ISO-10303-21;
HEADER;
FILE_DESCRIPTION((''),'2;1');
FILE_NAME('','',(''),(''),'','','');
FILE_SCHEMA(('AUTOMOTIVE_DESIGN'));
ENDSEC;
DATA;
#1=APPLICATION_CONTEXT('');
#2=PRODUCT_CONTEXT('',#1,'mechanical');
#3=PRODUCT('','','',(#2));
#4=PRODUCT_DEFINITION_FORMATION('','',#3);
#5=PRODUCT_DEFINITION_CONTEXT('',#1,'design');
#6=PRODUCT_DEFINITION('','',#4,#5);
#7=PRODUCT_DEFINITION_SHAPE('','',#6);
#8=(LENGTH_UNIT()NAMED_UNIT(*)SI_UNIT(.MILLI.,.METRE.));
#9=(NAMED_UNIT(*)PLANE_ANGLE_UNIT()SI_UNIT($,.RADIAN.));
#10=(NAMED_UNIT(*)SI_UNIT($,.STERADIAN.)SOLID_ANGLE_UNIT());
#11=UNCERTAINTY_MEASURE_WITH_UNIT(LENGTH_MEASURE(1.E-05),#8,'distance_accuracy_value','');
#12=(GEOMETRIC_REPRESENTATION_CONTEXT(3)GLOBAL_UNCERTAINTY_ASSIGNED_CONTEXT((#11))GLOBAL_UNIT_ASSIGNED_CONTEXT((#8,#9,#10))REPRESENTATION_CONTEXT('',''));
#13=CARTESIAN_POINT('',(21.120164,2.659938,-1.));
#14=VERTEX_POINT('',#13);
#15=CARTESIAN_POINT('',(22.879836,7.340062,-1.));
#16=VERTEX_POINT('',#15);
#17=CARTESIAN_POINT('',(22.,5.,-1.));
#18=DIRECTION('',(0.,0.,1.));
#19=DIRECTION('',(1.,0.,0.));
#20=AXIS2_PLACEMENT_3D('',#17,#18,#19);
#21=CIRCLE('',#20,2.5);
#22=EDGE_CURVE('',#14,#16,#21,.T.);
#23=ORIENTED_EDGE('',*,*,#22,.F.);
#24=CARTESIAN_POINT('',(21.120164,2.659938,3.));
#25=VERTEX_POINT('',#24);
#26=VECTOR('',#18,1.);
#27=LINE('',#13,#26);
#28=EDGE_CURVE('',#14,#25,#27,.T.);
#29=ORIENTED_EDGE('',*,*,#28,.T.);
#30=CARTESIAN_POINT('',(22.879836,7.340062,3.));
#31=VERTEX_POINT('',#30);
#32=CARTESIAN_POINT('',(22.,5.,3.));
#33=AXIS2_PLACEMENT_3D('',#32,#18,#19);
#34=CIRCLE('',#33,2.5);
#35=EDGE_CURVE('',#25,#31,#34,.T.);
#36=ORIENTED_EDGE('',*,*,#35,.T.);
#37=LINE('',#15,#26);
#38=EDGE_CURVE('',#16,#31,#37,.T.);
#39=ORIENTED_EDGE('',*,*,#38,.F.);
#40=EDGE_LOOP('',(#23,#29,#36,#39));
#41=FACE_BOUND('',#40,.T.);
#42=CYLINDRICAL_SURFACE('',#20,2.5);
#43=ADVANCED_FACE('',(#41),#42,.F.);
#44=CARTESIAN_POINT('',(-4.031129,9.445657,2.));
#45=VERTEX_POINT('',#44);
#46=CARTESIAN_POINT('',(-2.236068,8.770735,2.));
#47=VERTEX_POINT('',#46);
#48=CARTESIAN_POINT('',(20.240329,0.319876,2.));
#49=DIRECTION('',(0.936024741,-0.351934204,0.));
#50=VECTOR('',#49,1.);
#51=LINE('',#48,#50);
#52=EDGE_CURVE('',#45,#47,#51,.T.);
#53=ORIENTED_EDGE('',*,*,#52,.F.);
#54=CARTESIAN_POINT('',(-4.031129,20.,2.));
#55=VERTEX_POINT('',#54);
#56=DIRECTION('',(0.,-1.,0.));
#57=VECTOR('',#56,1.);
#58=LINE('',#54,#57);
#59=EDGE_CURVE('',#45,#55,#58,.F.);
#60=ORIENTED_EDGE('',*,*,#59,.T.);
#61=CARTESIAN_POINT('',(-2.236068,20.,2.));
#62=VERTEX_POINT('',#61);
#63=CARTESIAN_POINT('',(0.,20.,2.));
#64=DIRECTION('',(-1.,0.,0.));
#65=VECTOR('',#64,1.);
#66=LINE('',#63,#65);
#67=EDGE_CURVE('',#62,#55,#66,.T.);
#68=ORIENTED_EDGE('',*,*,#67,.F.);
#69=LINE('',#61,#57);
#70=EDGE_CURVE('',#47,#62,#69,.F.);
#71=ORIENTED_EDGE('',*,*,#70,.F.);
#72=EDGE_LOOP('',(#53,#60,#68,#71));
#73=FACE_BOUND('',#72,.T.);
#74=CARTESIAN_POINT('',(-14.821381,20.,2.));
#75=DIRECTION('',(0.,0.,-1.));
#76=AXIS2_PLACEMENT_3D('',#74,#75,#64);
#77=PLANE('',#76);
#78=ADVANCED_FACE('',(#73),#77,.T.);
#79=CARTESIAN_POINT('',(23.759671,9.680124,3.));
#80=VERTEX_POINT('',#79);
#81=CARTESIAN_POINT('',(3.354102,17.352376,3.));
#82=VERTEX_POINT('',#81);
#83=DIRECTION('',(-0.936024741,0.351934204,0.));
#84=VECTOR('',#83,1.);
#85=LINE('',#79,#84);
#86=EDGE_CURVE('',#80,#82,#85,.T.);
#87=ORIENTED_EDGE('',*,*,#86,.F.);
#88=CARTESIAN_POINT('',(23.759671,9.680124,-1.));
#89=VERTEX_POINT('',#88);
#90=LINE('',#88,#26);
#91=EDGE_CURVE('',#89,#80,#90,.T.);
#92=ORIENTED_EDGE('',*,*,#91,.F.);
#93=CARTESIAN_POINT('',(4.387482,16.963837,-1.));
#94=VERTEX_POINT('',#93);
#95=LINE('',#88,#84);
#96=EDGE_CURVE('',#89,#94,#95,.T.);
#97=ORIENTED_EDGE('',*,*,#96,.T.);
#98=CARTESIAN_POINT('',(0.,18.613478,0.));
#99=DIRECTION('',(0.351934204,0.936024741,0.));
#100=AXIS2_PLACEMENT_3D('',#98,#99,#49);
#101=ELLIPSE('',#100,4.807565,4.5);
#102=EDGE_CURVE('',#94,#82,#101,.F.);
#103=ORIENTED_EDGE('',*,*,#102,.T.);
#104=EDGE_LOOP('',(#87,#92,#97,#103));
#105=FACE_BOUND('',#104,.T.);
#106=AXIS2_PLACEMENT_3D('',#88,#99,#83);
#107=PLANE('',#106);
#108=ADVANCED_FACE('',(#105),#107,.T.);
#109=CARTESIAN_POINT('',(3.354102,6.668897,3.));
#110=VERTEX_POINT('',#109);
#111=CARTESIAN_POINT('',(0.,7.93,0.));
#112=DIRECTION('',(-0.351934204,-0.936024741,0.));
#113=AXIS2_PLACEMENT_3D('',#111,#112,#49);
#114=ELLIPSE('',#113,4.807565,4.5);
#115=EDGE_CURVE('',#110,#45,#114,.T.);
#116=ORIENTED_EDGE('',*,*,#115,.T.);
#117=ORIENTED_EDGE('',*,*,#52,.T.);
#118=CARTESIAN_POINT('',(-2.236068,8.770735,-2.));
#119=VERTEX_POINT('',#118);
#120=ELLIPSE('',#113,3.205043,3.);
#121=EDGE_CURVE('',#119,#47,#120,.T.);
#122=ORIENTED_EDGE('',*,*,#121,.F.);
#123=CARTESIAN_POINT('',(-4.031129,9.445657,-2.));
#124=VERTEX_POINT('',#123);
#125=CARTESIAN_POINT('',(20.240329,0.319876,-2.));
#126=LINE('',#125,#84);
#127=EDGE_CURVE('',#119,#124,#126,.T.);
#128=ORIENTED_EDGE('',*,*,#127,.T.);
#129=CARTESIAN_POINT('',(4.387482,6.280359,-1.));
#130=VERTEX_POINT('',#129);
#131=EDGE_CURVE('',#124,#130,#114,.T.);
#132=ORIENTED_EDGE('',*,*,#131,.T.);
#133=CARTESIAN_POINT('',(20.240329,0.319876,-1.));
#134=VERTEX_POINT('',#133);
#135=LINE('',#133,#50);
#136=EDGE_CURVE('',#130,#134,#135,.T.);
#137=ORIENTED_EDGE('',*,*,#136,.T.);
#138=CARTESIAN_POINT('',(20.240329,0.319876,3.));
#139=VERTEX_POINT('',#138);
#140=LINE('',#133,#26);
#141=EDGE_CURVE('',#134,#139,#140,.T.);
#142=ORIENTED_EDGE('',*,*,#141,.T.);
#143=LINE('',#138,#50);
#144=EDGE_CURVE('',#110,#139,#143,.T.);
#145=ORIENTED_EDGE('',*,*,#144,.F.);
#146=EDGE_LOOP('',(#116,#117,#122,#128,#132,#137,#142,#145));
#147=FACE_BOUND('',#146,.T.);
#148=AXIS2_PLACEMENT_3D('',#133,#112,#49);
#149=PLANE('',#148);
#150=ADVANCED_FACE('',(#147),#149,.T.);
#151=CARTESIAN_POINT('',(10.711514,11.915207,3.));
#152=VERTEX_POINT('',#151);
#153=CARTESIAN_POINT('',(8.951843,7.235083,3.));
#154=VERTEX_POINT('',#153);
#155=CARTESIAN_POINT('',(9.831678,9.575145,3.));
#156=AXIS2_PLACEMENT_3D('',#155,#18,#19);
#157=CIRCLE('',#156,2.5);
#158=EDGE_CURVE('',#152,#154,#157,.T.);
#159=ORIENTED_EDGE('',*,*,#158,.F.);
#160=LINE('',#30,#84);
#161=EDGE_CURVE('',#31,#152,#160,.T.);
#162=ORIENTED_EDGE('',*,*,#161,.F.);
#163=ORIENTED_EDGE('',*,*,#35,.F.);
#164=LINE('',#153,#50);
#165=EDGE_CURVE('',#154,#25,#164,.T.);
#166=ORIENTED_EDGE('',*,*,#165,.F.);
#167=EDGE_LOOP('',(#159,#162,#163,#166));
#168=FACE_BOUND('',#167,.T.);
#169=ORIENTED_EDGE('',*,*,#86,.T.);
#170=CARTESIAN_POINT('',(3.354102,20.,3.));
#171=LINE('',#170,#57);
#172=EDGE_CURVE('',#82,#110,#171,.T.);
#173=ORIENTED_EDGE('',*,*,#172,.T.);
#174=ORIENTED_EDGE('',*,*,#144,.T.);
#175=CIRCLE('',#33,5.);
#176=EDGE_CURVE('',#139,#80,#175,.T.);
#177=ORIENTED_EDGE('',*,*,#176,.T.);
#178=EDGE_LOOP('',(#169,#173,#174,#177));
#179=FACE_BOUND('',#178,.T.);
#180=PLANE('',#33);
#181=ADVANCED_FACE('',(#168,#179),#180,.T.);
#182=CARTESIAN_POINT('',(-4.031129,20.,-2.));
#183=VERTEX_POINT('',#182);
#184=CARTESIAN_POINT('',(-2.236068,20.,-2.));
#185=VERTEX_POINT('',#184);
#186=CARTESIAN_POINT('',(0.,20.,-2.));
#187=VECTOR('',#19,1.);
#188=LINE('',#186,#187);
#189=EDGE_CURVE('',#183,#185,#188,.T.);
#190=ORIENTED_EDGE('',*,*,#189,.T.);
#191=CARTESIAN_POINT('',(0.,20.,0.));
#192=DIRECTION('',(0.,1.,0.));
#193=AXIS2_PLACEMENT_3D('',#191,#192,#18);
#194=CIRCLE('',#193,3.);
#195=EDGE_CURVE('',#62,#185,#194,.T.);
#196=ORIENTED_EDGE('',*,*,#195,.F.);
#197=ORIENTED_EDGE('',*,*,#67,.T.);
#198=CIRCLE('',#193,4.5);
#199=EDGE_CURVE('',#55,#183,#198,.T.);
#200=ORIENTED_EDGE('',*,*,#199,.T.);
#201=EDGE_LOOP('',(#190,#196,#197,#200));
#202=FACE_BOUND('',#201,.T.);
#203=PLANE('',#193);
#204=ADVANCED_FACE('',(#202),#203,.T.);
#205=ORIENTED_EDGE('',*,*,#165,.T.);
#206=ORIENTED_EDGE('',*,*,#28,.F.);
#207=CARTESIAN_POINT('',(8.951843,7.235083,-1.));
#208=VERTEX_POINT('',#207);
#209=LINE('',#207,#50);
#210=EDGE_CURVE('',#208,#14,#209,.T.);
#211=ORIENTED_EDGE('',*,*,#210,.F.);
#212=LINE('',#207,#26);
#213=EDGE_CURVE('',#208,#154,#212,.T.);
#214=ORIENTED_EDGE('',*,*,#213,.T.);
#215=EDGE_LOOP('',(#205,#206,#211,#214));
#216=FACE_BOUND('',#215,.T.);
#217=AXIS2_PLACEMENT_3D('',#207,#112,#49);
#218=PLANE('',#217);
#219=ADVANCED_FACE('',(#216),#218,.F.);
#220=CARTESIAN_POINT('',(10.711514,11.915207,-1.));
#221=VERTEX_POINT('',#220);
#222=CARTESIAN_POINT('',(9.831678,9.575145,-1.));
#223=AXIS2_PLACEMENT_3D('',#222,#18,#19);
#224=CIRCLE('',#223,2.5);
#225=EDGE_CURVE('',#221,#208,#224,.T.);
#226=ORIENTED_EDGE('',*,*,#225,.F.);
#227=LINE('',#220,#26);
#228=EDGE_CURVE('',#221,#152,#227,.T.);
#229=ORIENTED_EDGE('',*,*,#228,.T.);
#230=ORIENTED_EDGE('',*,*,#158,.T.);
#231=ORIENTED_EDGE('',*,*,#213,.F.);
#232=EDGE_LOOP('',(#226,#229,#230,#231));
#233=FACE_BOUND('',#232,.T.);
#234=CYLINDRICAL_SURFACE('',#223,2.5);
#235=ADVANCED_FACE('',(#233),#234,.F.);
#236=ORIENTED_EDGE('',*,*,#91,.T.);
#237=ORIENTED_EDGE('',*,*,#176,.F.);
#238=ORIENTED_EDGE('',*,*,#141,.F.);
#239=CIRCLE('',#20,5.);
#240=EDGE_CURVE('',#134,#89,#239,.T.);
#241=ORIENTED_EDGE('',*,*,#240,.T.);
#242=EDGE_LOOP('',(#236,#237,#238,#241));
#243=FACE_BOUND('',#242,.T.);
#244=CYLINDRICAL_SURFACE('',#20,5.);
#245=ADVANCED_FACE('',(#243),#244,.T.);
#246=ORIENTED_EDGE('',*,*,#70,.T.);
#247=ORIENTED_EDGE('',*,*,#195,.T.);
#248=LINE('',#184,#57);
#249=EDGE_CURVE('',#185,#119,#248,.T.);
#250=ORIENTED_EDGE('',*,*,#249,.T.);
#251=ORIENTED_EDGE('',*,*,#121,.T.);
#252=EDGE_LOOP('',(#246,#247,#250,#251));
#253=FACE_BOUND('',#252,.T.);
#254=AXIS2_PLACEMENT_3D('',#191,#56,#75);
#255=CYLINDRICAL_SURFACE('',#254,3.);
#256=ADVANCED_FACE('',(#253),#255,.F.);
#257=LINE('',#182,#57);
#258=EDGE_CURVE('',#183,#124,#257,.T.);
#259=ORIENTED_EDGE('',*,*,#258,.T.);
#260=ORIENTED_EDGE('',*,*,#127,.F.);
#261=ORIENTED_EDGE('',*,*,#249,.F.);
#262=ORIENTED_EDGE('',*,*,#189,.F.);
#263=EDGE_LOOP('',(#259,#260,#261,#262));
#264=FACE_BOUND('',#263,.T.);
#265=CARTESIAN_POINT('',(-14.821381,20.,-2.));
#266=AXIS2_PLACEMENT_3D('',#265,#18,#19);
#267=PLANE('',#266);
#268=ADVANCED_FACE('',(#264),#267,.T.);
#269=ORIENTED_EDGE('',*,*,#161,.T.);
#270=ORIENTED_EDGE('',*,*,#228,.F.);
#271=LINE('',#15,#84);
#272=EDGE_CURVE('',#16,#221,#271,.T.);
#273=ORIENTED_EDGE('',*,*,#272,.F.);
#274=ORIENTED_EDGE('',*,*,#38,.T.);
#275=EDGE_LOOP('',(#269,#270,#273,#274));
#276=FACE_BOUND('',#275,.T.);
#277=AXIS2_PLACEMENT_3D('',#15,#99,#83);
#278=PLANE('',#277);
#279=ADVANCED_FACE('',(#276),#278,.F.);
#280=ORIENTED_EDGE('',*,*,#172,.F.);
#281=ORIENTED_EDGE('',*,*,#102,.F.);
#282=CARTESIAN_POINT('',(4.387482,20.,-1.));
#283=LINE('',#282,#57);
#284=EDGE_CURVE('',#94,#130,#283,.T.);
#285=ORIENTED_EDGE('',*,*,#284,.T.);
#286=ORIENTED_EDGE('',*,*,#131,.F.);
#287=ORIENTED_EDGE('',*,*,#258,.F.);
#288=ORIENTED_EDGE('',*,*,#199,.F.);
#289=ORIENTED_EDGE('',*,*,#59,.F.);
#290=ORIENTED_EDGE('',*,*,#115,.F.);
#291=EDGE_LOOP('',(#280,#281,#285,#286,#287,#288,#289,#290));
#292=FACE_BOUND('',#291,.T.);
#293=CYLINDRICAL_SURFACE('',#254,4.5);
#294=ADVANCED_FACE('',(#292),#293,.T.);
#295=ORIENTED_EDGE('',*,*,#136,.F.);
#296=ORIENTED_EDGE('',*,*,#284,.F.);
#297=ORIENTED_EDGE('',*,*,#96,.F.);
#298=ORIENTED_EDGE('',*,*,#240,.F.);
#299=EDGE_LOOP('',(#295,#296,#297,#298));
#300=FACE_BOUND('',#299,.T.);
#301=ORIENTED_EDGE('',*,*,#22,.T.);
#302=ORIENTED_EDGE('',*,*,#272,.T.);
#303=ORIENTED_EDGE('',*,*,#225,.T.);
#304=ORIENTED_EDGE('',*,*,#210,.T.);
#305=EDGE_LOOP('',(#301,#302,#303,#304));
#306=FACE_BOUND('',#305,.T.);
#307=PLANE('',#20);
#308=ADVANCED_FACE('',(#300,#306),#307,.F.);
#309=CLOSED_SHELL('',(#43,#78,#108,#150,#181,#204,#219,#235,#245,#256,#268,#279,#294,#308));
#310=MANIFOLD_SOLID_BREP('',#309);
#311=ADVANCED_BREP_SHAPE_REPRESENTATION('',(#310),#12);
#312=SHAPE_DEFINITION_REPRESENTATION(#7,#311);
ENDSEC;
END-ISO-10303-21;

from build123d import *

# Parameters (mm, degrees)
EXTRUDE_1_DEPTH      = 3
EXTRUDE_1_DEPTH_BACK = 1
SKETCH_2_R           = 4.5
SKETCH_2_R_2         = 3
EXTRUDE_2_DEPTH      = 20
SKETCH_3_R           = 3
CUT_EXTRUDE_1_DEPTH  = 34.900589965
CUT_EXTRUDE_2_REACH  = 35.901
SKETCH_4_R           = 9.774013962
SKETCH_5_W           = 13.881504323
SKETCH_5_H           = 4
CUT_EXTRUDE_4_DEPTH  = 34.900589965


with BuildPart() as part:
    # Эскиз1 → Бобышка-Вытянуть1 (new, two sides: drawn at the far end of the back side and taken through both)
    with BuildSketch(Plane.XY.offset(-EXTRUDE_1_DEPTH_BACK)):
        with BuildLine():
            Line((23.759671021, 9.680123705), (0, 18.61347829))
            Line((0, 18.61347829), (0, 7.93))
            Line((0, 7.93), (20.240328979, 0.319876295))
            ThreePointArc((20.240328979, 0.319876295), (26.680123705, 3.240328979), (23.759671021, 9.680123705))
        make_face()
        with BuildLine():
            Line((8.951842855, 7.235082801), (21.12016449, 2.659938147))
            ThreePointArc((21.12016449, 2.659938147), (24.340061853, 4.12016449), (22.87983551, 7.340061853))
            Line((22.87983551, 7.340061853), (10.711513876, 11.915206507))
            ThreePointArc((10.711513876, 11.915206507), (7.491616513, 10.454980164), (8.951842855, 7.235082801))
        make_face(mode=Mode.SUBTRACT)
    extrude(amount=EXTRUDE_1_DEPTH + EXTRUDE_1_DEPTH_BACK)

    # Эскиз2 → Бобышка-Вытянуть2 (add)
    with BuildSketch(Plane(origin=(0, 0, 0), x_dir=(1, 0, 0), z_dir=(0, 1, 0))):
        with Locations(Location((0, 0, 0), (0, 0, 270))):
            Circle(SKETCH_2_R)
        with Locations(Location((0, 0, 0), (0, 0, 270))):
            Circle(SKETCH_2_R_2, mode=Mode.SUBTRACT)
    extrude(amount=EXTRUDE_2_DEPTH)

    # Эскиз3 → Вырез-Вытянуть1 (cut, through all)
    with BuildSketch(Plane(origin=(0, 0, 0), x_dir=(-1, 0, 0), z_dir=(0, -1, 0))):
        with Locations(Location((0, 0, 0), (0, 0, 270))):
            Circle(SKETCH_3_R)
    extrude(amount=-CUT_EXTRUDE_1_DEPTH, mode=Mode.SUBTRACT)

    # Вырез-Вытянуть2: up to this face of the body (flat: up to its plane)
    cut_extrude_2_end = Plane(part.part.faces().sort_by_distance((12.227229865, 3.33270655, 1.020399835))[0])
    # Эскиз4 → Вырез-Вытянуть2 (cut, up to the picked face)
    with BuildSketch(Plane.XZ, mode=Mode.PRIVATE) as cut_extrude_2_sk1:
        Circle(SKETCH_4_R)
    cut_extrude_2_tool1 = split(extrude(cut_extrude_2_sk1.sketch, amount=-CUT_EXTRUDE_2_REACH, mode=Mode.PRIVATE), bisect_by=cut_extrude_2_end, keep=Keep.BOTH, mode=Mode.PRIVATE)
    add(cut_extrude_2_tool1.solids().sort_by(Axis((0, 0, 0), (0, 1, 0)))[0], mode=Mode.SUBTRACT)

    # Эскиз5 → Вырез-Вытянуть4 (cut, through all)
    with BuildSketch(Plane(origin=(0, 0, 0), x_dir=(1, 0, 0), z_dir=(0, 1, 0))):
        with Locations((-7.880628676, 0)):
            Rectangle(SKETCH_5_W, SKETCH_5_H)
    extrude(amount=CUT_EXTRUDE_4_DEPTH, mode=Mode.SUBTRACT)


solid = part.part
